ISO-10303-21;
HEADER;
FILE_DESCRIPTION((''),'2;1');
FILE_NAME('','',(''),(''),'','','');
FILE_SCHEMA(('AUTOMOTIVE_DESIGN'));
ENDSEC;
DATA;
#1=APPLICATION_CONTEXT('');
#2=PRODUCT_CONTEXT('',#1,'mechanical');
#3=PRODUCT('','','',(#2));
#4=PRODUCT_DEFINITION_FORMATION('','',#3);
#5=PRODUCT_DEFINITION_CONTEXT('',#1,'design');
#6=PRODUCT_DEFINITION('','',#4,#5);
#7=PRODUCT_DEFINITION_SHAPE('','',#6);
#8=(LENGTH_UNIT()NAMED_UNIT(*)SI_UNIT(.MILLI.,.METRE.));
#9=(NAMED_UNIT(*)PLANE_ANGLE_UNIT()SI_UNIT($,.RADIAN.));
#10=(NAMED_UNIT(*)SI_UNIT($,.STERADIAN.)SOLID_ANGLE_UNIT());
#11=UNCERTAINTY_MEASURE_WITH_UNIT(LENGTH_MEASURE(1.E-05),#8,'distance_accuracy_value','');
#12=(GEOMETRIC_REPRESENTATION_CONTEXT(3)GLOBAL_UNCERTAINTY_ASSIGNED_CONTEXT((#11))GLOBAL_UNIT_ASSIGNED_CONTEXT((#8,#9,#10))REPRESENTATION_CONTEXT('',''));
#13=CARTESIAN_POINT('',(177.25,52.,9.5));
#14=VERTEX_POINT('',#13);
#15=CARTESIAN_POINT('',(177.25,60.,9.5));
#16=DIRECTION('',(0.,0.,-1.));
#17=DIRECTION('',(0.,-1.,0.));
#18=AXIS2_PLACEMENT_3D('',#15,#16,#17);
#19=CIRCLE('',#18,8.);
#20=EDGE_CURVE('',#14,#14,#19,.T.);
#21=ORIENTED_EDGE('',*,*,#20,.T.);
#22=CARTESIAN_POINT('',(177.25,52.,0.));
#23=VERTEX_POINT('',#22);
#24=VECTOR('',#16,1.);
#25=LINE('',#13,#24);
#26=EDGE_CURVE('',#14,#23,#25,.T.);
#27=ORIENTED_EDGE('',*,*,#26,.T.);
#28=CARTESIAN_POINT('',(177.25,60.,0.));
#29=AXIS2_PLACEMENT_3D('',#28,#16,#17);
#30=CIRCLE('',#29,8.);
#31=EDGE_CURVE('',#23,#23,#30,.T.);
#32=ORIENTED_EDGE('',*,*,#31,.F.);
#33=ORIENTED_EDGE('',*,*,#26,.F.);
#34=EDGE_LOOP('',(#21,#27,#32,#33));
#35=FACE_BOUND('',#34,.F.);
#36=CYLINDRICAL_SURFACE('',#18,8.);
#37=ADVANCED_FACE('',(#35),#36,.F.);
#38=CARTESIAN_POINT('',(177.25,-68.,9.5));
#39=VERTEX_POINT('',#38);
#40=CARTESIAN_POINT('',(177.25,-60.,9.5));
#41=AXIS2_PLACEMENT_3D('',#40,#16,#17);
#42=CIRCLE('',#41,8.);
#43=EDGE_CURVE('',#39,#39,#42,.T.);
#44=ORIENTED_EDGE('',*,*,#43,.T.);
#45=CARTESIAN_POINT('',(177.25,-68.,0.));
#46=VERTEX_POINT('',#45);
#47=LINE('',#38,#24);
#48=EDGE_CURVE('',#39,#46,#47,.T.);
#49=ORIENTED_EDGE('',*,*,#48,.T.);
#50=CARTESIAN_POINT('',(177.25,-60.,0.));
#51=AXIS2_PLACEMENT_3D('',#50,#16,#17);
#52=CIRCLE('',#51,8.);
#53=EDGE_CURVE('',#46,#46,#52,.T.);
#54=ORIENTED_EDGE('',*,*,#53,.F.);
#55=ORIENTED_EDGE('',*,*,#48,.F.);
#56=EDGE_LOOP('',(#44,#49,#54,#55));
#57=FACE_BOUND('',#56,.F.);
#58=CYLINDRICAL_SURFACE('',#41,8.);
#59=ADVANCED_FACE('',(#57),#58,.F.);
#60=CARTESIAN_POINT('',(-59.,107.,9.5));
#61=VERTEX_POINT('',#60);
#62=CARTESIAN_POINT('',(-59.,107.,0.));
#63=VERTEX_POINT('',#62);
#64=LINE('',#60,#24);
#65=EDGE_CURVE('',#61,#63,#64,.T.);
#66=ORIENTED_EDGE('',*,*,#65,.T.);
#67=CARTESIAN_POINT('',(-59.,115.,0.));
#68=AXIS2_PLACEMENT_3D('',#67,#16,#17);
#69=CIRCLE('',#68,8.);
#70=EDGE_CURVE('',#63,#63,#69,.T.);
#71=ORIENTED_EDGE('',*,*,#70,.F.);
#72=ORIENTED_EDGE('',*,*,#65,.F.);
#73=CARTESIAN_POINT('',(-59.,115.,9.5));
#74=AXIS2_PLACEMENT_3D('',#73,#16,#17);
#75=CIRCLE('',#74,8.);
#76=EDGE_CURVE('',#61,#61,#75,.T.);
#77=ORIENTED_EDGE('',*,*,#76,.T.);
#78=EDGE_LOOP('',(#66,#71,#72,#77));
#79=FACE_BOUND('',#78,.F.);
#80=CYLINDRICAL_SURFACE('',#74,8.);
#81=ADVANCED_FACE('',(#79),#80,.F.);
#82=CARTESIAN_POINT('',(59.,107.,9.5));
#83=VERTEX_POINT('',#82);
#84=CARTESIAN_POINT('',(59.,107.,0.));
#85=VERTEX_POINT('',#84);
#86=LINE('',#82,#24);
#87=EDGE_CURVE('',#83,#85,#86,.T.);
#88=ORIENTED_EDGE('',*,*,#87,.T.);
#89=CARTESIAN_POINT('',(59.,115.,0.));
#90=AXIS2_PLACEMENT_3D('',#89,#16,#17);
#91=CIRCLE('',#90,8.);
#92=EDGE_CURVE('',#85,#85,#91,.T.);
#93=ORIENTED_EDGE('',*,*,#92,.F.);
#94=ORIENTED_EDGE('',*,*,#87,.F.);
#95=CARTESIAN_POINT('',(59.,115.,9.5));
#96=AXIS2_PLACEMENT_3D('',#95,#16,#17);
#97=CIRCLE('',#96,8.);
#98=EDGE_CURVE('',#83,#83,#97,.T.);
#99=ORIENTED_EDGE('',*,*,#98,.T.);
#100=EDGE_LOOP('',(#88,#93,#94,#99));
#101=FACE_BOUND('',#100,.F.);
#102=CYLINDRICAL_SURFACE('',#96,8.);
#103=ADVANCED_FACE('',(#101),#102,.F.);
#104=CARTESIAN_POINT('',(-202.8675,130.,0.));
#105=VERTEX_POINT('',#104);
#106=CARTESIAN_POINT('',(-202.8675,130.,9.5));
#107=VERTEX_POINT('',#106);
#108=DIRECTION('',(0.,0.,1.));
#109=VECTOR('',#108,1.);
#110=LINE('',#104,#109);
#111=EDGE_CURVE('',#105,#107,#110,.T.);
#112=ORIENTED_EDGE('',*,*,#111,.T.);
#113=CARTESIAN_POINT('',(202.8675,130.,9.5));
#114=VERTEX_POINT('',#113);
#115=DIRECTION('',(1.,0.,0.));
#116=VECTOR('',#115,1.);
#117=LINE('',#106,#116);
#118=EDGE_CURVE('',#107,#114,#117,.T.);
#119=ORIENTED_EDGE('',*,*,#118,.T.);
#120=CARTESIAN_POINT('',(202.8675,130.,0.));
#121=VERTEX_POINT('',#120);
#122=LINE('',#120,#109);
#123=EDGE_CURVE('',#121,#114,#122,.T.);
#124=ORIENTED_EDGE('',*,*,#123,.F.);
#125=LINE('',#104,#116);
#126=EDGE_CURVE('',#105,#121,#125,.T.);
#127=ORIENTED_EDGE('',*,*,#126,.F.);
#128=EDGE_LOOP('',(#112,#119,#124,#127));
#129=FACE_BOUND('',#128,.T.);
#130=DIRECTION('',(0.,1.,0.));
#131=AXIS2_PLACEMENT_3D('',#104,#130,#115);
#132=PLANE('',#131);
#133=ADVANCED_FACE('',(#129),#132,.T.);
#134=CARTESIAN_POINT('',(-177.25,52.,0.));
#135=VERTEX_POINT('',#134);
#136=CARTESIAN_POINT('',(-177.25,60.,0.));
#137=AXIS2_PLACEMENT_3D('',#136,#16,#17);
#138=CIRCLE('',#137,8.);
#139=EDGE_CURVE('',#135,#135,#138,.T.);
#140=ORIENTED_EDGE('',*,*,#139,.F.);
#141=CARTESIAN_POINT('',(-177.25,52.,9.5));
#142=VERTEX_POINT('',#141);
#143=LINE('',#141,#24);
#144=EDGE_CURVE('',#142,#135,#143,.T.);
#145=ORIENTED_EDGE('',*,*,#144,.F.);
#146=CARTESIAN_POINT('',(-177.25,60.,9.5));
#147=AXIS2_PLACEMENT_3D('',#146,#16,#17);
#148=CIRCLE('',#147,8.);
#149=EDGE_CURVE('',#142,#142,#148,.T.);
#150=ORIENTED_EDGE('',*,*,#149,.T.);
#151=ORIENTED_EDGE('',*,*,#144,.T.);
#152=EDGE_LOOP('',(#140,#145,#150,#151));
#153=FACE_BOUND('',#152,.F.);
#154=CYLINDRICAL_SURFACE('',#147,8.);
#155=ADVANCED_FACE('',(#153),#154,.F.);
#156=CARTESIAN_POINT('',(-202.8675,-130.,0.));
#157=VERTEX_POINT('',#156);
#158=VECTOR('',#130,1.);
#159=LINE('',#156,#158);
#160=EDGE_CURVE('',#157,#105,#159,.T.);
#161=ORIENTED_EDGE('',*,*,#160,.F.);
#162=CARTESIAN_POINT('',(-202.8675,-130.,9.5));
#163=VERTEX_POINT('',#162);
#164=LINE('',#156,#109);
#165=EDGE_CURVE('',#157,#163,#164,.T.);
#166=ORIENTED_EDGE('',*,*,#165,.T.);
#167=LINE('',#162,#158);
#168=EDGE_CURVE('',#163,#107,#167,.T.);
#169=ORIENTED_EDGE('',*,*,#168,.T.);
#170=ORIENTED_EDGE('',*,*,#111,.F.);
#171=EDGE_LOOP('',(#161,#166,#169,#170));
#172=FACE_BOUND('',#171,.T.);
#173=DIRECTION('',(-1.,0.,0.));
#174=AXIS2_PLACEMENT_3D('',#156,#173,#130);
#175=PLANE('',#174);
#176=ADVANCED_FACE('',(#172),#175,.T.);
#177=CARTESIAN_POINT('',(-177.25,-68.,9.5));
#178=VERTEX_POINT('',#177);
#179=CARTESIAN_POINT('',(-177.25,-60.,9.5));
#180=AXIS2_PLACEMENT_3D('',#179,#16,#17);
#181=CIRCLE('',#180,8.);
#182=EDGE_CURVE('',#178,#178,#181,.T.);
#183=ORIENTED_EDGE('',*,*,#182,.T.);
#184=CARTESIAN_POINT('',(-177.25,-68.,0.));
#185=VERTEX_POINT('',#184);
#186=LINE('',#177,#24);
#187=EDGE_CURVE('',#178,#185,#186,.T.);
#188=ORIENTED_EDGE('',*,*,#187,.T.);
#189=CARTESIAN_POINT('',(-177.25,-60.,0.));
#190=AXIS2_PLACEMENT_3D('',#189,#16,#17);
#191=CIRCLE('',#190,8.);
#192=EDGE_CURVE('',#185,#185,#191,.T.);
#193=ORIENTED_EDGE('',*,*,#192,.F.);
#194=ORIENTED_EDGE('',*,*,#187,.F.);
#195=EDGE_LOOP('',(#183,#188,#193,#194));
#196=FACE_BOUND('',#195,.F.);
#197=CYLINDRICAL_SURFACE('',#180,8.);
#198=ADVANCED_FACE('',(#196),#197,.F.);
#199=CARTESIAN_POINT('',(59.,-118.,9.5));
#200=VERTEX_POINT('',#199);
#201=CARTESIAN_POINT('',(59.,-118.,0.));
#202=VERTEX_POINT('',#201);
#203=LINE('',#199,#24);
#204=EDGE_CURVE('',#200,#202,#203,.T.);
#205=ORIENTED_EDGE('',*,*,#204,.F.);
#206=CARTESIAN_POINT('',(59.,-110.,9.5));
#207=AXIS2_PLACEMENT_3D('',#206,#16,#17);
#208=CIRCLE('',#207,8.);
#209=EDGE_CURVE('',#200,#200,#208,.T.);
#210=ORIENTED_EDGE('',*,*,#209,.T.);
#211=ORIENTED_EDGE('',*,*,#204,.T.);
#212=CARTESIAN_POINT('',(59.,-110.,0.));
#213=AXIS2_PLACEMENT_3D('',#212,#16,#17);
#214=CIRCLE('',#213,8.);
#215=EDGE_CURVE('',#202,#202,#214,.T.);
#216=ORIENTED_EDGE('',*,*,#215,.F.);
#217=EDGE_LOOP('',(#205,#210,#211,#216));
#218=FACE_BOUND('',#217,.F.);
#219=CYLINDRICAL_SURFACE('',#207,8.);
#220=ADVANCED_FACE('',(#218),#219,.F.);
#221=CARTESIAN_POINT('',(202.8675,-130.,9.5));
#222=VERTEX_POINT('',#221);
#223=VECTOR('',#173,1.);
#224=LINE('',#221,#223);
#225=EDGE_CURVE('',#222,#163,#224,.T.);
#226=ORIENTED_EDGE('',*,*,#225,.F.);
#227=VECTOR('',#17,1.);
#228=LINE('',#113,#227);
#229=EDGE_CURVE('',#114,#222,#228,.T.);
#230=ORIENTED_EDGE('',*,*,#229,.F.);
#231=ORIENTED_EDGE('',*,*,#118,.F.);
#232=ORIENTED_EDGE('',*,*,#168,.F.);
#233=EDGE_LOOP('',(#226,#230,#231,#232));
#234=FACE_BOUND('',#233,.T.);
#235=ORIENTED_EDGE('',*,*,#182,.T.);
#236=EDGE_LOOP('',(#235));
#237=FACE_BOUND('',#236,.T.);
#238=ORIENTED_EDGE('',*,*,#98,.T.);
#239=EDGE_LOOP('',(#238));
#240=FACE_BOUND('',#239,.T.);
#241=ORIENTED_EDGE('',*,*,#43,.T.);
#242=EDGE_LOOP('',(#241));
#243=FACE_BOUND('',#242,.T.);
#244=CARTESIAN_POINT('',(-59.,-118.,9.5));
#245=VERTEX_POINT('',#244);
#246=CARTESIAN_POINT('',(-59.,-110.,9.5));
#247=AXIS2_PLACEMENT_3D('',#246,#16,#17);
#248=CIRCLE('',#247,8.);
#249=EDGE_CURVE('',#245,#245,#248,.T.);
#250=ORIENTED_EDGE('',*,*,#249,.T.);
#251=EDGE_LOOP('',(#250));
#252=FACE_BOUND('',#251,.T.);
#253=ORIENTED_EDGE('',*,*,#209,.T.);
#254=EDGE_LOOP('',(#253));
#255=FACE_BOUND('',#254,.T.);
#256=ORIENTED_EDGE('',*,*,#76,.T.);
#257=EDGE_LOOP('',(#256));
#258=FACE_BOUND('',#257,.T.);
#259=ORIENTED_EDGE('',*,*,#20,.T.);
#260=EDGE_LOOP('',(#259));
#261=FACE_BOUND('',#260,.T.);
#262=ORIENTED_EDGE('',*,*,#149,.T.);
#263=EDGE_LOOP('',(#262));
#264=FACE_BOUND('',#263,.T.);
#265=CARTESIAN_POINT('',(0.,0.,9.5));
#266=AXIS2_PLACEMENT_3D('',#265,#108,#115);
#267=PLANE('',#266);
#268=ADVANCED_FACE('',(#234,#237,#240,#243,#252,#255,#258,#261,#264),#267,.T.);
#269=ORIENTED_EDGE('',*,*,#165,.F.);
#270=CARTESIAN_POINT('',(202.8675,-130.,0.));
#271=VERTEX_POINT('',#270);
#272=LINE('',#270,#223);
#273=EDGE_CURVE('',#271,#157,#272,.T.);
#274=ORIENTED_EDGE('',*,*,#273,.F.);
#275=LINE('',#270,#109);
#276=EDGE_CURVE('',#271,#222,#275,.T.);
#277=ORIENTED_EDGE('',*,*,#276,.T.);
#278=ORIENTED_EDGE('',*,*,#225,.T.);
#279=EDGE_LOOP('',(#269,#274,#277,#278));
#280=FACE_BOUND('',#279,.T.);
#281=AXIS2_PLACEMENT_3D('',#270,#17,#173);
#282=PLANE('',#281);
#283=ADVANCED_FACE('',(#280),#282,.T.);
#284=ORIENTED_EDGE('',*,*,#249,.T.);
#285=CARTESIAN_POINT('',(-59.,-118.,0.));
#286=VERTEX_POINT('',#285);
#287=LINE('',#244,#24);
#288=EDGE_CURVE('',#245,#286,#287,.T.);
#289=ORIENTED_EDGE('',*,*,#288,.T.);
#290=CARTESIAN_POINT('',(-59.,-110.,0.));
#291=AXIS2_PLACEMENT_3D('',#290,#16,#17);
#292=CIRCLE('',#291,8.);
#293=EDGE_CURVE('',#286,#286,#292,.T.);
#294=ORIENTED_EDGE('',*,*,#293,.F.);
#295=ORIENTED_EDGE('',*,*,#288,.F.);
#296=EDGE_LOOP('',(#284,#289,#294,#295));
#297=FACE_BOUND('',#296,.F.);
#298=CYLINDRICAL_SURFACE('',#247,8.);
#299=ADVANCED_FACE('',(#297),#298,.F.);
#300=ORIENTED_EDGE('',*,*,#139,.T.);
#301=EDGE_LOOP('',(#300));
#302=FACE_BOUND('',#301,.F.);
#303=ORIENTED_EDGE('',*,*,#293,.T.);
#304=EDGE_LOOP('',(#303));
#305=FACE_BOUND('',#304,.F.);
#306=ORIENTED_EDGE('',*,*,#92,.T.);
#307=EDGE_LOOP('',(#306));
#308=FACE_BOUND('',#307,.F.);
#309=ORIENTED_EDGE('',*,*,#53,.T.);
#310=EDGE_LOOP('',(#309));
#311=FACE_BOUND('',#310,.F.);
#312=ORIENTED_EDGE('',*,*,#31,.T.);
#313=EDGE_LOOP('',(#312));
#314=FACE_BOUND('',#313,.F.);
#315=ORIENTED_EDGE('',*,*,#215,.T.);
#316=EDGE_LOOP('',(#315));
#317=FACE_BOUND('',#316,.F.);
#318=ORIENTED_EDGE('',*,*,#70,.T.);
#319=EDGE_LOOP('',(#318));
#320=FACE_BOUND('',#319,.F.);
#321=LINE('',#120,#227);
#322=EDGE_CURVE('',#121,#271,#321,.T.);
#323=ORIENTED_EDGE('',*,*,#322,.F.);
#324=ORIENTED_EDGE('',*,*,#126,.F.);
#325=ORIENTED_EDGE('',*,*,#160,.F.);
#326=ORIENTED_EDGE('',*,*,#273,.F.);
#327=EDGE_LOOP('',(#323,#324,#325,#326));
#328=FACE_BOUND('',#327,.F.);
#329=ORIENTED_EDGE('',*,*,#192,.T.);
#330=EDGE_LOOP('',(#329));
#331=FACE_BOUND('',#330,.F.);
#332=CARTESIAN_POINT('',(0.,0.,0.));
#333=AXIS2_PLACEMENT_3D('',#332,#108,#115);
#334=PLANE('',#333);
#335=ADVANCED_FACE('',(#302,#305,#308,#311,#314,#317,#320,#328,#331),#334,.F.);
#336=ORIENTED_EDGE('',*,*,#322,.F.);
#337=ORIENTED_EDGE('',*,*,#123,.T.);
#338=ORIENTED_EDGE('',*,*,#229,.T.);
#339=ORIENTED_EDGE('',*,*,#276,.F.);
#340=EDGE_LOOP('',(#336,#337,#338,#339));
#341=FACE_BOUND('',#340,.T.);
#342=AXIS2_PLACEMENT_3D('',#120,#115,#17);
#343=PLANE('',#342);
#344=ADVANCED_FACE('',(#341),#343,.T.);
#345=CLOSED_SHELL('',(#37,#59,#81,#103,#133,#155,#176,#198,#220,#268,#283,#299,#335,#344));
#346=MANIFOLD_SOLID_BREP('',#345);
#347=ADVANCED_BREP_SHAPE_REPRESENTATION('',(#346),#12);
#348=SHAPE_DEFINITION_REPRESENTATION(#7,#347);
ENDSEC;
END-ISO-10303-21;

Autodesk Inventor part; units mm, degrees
ref_plane "YZ Plane" through (0, 0, 0) normal (1, 0, 0) x (0, 1, 0)
ref_plane "XZ Plane" through (0, 0, 0) normal (0, 1, 0) x (-1, 0, 0)
ref_plane "XY Plane" through (0, 0, 0) normal (0, 0, 1) x (1, 0, 0)
sketch "Sketch1" plane through (0, 0, 0) normal (0, 0, 1) x (1, 0, 0)
  line L0 (-202.8675, 130) -> (202.8675, 130)
  line L1 (202.8675, 130) -> (202.8675, -130)
  line L2 (202.8675, -130) -> (-202.8675, -130)
  line L3 (-202.8675, -130) -> (-202.8675, 130)
  point P0 (0, 0)
  dimension "d0" = 405.735
  dimension "d1" = 260
  dimension "d2" = 130
  dimension "d3" = 202.8675
extrude "Plate1" add sketch "Sketch1" along normal blind 9.5
sketch "Sketch2" plane through (0, 0, 9.5) normal (0, 0, 1) x (1, 0, 0)
  line L0 (-59, 115) -> (59, 115)
  line L1 (59, 115) -> (59, -110)
  line L2 (59, -110) -> (-59, -110)
  line L3 (-59, -110) -> (-59, 115)
  line L4 (-202.8675, -130) -> (-202.8675, 130) projected
  line L5 (202.8675, -130) -> (-202.8675, -130) projected
  line L6 (-177.25, 60) -> (177.25, 60)
  line L7 (177.25, 60) -> (177.25, -60)
  line L8 (177.25, -60) -> (-177.25, -60)
  line L9 (-177.25, -60) -> (-177.25, 60)
  line L10 (202.8675, 130) -> (202.8675, -130) projected
  point P0 (0, 0)
  dimension "d5" = 118
  dimension "d7" = 225
  dimension "d8" = 20
  dimension "d17" = 120
  dimension "d18" = 60
  dimension "d21" = 118.25
  dimension "d22" = 118.25
  dimension "d23" = 59
hole "Hole1" at (-59, -110, 9.5) at (-59, 115, 9.5) at (59, 115, 9.5) at (59, -110, 9.5) at (-177.25, 60, 9.5) at (-177.25, -60, 9.5) at (177.25, 60, 9.5) at (177.25, -60, 9.5) direction (0, 0, -1) diameter 16 depth 9.5
equation "\"d18\" = 0.5 * d17"
equation "\"d23\" = 0.5 * d5"
equation "\"d14\" = Thickness"
equation "\"d4\" = Thickness"
equation "\"d2\" = 0.5 * d1"
equation "\"d3\" = 0.5 * d0"
equation "\"BendRadius\" = Thickness"
equation "\"BendReliefWidth\" = Thickness"
equation "\"BendReliefDepth\" = 0.5 * Thickness"
equation "\"CornerReliefSize\" = 4 * Thickness"
equation "\"MinimumRemnant\" = 2 * Thickness"
equation "\"TransitionRadius\" = BendRadius"
equation "\"JacobiRadiusSize\" = BendRadius"
equation "\"GapSize\" = Thickness"
equation "\"Thickness\" = 9.5"
properties part number "PlacaReductor"
